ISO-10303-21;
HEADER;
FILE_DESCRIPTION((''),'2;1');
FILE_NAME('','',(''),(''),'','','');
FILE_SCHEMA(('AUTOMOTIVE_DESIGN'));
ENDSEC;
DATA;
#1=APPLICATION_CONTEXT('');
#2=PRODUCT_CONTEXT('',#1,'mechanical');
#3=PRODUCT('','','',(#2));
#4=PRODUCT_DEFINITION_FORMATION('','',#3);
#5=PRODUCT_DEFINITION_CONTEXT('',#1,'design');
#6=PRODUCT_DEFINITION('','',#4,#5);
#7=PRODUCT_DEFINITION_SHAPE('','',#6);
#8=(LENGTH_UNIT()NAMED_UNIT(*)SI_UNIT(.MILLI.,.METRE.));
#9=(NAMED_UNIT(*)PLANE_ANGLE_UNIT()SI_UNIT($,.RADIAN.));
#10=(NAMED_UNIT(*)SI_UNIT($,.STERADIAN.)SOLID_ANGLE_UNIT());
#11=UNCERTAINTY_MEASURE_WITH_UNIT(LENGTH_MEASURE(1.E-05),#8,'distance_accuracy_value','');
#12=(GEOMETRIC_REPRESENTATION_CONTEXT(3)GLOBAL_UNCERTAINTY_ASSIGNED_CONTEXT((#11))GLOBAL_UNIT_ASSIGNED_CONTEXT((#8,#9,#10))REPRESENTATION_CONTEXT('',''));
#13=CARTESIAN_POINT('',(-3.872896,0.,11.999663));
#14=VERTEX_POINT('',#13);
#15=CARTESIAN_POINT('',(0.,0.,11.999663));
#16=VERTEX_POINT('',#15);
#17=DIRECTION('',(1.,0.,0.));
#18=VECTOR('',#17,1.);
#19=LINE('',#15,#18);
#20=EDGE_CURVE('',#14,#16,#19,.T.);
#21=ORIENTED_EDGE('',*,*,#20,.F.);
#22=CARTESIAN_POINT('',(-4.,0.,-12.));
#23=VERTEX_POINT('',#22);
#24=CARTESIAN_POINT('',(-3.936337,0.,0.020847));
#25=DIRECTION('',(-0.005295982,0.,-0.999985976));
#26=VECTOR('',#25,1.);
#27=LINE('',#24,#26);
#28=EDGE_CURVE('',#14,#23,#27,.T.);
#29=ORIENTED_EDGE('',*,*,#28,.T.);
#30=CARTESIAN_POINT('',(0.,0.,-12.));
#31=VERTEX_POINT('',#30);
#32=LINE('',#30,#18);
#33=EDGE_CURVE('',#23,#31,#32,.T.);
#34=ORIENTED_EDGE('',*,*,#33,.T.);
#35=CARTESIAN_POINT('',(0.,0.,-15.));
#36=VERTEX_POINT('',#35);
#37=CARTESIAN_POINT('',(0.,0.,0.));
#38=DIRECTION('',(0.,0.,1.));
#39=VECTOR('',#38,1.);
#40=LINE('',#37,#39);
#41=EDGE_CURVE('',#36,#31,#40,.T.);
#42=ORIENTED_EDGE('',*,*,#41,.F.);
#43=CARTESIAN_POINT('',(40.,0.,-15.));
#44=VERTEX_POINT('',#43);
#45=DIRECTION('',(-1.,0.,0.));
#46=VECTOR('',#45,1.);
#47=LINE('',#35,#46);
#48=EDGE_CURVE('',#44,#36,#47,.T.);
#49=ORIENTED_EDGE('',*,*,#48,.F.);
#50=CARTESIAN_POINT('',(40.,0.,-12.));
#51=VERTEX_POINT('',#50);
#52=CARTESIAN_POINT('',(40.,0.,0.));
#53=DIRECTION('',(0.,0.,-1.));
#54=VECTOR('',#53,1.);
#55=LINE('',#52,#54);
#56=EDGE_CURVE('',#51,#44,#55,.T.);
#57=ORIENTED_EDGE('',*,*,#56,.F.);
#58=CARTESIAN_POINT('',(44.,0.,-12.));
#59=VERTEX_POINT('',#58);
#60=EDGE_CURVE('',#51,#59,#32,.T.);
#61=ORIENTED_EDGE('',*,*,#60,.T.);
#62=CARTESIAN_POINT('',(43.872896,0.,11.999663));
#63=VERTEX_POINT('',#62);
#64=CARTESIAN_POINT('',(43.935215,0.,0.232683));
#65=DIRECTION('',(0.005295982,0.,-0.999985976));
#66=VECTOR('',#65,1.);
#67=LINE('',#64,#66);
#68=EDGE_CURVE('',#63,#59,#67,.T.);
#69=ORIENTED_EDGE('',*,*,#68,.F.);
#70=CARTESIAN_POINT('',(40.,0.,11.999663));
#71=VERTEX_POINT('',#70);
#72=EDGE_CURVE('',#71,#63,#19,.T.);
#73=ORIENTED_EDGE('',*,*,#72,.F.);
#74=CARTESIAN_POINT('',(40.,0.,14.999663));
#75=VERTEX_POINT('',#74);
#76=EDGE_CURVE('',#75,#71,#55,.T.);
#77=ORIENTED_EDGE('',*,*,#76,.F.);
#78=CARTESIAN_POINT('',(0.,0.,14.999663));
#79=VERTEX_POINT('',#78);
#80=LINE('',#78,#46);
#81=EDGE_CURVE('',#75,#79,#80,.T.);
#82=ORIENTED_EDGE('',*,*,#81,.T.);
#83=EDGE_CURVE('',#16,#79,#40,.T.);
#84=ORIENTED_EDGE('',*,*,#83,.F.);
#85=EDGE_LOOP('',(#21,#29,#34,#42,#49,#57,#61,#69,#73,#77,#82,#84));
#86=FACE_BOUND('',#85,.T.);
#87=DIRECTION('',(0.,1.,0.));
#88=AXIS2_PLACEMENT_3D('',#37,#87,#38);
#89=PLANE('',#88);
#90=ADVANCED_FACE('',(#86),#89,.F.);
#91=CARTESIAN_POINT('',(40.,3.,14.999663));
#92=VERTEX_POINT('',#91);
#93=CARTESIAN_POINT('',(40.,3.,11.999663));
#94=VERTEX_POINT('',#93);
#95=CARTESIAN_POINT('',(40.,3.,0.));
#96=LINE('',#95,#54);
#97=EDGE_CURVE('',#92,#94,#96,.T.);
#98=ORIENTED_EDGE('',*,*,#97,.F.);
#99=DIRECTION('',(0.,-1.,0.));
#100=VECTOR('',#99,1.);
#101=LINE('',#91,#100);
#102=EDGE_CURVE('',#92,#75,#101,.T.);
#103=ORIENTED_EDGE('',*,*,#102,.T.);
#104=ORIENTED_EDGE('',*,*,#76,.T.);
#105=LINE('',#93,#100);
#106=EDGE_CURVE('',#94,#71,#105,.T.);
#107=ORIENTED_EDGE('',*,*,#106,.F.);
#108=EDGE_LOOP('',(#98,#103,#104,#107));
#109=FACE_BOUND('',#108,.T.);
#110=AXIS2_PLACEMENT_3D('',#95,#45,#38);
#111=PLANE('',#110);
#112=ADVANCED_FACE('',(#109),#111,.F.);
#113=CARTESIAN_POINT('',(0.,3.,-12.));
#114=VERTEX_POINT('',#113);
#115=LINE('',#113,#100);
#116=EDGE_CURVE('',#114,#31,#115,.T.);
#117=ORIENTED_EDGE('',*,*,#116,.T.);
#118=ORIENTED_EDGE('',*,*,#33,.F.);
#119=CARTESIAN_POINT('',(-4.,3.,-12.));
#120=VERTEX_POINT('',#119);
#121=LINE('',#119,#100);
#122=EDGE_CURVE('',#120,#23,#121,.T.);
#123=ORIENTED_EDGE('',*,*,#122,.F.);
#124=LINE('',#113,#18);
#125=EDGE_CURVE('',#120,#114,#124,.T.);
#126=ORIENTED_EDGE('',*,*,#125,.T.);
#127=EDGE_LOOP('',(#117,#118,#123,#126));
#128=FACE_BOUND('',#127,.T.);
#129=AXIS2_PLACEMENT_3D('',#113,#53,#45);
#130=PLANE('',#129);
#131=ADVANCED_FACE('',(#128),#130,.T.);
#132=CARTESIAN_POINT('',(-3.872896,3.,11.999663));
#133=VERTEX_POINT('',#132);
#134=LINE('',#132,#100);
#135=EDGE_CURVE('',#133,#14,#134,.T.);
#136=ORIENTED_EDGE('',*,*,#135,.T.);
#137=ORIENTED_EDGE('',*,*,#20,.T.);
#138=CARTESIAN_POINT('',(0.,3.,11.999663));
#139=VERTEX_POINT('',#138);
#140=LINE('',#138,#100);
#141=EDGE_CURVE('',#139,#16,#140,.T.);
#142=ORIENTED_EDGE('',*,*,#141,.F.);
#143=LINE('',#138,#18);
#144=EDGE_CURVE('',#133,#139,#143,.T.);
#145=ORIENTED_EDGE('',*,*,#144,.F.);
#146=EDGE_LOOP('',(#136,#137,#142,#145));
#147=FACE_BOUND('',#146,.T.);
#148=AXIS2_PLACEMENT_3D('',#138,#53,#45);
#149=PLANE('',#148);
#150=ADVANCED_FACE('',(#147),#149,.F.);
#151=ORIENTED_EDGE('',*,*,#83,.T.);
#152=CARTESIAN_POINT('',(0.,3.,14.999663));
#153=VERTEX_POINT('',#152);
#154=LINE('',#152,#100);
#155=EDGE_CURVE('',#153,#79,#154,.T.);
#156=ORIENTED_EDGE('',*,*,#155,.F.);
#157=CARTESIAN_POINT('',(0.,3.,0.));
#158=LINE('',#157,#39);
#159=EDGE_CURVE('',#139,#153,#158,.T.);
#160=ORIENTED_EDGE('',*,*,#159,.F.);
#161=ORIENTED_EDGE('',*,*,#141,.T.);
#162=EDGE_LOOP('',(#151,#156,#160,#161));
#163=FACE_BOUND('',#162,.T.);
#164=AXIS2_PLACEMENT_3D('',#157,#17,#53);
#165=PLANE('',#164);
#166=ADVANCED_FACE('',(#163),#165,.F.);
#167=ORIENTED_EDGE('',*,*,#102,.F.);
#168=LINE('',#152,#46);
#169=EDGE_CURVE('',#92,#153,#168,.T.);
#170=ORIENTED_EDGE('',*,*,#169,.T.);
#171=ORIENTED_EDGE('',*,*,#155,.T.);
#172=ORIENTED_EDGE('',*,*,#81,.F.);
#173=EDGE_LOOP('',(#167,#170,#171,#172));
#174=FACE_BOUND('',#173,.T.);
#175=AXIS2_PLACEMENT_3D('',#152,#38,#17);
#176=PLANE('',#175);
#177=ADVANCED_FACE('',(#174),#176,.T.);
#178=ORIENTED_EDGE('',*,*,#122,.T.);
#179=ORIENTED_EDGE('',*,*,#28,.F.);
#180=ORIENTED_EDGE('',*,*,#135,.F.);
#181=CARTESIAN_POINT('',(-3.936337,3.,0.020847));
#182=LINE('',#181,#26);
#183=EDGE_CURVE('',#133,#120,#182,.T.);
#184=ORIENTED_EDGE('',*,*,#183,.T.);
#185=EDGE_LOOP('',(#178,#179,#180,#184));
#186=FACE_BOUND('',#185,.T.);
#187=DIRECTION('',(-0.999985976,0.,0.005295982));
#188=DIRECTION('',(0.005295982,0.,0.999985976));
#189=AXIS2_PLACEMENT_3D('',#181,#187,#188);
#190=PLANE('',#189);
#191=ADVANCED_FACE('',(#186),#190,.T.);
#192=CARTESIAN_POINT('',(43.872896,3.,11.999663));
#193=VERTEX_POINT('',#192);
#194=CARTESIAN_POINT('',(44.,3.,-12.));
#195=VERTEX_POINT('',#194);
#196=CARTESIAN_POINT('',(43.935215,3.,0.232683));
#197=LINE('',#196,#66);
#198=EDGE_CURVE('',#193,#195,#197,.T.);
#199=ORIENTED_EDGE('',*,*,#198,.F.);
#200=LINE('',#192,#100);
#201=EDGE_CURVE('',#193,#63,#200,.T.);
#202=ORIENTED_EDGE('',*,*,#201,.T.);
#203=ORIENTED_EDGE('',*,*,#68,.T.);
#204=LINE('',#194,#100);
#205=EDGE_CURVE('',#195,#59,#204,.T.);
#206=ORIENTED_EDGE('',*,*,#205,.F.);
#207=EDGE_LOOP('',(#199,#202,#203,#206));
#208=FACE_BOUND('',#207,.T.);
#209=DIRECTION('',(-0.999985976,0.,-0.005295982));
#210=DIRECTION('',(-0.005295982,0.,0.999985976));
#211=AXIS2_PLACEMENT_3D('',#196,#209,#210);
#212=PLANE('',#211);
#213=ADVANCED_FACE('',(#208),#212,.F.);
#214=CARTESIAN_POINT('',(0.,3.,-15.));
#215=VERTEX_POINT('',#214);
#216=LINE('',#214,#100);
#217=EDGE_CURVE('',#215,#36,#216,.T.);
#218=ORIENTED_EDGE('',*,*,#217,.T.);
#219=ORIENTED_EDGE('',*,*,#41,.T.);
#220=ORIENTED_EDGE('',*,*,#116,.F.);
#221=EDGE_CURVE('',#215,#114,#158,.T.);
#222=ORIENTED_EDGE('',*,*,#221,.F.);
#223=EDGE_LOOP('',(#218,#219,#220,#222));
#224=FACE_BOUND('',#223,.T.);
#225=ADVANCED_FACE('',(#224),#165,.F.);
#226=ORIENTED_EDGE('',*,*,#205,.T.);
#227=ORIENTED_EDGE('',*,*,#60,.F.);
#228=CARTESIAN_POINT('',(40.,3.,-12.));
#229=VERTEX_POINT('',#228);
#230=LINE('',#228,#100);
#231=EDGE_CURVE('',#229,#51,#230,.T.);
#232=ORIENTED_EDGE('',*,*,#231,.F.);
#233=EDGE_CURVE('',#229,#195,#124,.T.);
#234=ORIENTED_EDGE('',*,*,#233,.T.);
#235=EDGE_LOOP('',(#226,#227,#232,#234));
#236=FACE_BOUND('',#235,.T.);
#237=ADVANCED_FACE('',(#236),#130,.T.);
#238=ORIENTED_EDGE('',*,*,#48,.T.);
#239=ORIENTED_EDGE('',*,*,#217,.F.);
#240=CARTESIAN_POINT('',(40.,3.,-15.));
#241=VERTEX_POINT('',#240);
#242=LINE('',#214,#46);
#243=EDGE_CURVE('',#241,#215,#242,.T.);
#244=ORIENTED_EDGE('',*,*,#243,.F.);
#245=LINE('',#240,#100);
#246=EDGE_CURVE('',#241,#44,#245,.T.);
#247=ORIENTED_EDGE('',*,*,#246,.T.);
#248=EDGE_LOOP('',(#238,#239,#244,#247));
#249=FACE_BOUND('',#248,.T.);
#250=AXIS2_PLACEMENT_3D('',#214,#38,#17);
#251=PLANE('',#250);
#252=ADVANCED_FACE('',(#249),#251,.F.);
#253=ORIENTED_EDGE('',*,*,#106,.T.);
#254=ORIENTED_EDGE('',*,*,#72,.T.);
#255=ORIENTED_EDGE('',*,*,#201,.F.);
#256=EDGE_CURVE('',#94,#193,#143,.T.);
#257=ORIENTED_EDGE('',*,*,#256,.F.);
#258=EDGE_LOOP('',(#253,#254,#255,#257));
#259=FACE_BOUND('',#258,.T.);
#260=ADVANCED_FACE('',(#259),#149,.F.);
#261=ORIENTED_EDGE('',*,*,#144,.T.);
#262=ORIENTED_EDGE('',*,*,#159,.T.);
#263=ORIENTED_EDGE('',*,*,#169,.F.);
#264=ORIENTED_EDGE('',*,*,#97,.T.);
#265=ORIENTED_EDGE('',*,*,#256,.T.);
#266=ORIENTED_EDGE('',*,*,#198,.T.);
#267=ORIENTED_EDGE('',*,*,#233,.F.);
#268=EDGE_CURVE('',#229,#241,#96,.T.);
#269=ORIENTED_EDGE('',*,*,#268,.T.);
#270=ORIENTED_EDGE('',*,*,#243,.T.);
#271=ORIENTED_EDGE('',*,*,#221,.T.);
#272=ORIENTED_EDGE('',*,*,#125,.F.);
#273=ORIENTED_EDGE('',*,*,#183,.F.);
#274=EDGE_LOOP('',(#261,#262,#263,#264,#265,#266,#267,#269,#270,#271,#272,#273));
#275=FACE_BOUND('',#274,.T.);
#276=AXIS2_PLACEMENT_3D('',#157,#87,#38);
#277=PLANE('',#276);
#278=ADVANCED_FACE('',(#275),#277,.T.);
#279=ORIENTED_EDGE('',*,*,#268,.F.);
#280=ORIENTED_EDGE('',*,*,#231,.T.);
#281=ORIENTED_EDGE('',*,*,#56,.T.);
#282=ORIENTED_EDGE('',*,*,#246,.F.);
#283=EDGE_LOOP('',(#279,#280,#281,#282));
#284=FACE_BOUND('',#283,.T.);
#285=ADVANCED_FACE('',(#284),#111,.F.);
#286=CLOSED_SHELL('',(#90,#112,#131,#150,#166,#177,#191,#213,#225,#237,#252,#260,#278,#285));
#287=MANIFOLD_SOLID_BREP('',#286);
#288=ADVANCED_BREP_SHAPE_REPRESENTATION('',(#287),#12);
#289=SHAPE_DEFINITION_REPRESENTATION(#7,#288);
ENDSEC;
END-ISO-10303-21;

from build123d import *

# Parameters (mm, degrees)
SALIENTE_EXTRUIR1_DEPTH = 3


with BuildPart() as part:
    # Croquis2 → Saliente-Extruir1 (new body)
    with BuildSketch(Plane(origin=(0, 0, 0), x_dir=(1, 0, 0), z_dir=(0, 1, 0))):
        Polygon((40, -14.999663429), (40, -11.999663429), (43.872896428, -11.999663429), (44, 12), (40, 12), (40, 15), (0, 15), (0, 12), (-4, 12), (-3.872896428, -11.999663429), (0, -11.999663429), (0, -14.999663429), align=None)
    extrude(amount=SALIENTE_EXTRUIR1_DEPTH)


solid = part.part
